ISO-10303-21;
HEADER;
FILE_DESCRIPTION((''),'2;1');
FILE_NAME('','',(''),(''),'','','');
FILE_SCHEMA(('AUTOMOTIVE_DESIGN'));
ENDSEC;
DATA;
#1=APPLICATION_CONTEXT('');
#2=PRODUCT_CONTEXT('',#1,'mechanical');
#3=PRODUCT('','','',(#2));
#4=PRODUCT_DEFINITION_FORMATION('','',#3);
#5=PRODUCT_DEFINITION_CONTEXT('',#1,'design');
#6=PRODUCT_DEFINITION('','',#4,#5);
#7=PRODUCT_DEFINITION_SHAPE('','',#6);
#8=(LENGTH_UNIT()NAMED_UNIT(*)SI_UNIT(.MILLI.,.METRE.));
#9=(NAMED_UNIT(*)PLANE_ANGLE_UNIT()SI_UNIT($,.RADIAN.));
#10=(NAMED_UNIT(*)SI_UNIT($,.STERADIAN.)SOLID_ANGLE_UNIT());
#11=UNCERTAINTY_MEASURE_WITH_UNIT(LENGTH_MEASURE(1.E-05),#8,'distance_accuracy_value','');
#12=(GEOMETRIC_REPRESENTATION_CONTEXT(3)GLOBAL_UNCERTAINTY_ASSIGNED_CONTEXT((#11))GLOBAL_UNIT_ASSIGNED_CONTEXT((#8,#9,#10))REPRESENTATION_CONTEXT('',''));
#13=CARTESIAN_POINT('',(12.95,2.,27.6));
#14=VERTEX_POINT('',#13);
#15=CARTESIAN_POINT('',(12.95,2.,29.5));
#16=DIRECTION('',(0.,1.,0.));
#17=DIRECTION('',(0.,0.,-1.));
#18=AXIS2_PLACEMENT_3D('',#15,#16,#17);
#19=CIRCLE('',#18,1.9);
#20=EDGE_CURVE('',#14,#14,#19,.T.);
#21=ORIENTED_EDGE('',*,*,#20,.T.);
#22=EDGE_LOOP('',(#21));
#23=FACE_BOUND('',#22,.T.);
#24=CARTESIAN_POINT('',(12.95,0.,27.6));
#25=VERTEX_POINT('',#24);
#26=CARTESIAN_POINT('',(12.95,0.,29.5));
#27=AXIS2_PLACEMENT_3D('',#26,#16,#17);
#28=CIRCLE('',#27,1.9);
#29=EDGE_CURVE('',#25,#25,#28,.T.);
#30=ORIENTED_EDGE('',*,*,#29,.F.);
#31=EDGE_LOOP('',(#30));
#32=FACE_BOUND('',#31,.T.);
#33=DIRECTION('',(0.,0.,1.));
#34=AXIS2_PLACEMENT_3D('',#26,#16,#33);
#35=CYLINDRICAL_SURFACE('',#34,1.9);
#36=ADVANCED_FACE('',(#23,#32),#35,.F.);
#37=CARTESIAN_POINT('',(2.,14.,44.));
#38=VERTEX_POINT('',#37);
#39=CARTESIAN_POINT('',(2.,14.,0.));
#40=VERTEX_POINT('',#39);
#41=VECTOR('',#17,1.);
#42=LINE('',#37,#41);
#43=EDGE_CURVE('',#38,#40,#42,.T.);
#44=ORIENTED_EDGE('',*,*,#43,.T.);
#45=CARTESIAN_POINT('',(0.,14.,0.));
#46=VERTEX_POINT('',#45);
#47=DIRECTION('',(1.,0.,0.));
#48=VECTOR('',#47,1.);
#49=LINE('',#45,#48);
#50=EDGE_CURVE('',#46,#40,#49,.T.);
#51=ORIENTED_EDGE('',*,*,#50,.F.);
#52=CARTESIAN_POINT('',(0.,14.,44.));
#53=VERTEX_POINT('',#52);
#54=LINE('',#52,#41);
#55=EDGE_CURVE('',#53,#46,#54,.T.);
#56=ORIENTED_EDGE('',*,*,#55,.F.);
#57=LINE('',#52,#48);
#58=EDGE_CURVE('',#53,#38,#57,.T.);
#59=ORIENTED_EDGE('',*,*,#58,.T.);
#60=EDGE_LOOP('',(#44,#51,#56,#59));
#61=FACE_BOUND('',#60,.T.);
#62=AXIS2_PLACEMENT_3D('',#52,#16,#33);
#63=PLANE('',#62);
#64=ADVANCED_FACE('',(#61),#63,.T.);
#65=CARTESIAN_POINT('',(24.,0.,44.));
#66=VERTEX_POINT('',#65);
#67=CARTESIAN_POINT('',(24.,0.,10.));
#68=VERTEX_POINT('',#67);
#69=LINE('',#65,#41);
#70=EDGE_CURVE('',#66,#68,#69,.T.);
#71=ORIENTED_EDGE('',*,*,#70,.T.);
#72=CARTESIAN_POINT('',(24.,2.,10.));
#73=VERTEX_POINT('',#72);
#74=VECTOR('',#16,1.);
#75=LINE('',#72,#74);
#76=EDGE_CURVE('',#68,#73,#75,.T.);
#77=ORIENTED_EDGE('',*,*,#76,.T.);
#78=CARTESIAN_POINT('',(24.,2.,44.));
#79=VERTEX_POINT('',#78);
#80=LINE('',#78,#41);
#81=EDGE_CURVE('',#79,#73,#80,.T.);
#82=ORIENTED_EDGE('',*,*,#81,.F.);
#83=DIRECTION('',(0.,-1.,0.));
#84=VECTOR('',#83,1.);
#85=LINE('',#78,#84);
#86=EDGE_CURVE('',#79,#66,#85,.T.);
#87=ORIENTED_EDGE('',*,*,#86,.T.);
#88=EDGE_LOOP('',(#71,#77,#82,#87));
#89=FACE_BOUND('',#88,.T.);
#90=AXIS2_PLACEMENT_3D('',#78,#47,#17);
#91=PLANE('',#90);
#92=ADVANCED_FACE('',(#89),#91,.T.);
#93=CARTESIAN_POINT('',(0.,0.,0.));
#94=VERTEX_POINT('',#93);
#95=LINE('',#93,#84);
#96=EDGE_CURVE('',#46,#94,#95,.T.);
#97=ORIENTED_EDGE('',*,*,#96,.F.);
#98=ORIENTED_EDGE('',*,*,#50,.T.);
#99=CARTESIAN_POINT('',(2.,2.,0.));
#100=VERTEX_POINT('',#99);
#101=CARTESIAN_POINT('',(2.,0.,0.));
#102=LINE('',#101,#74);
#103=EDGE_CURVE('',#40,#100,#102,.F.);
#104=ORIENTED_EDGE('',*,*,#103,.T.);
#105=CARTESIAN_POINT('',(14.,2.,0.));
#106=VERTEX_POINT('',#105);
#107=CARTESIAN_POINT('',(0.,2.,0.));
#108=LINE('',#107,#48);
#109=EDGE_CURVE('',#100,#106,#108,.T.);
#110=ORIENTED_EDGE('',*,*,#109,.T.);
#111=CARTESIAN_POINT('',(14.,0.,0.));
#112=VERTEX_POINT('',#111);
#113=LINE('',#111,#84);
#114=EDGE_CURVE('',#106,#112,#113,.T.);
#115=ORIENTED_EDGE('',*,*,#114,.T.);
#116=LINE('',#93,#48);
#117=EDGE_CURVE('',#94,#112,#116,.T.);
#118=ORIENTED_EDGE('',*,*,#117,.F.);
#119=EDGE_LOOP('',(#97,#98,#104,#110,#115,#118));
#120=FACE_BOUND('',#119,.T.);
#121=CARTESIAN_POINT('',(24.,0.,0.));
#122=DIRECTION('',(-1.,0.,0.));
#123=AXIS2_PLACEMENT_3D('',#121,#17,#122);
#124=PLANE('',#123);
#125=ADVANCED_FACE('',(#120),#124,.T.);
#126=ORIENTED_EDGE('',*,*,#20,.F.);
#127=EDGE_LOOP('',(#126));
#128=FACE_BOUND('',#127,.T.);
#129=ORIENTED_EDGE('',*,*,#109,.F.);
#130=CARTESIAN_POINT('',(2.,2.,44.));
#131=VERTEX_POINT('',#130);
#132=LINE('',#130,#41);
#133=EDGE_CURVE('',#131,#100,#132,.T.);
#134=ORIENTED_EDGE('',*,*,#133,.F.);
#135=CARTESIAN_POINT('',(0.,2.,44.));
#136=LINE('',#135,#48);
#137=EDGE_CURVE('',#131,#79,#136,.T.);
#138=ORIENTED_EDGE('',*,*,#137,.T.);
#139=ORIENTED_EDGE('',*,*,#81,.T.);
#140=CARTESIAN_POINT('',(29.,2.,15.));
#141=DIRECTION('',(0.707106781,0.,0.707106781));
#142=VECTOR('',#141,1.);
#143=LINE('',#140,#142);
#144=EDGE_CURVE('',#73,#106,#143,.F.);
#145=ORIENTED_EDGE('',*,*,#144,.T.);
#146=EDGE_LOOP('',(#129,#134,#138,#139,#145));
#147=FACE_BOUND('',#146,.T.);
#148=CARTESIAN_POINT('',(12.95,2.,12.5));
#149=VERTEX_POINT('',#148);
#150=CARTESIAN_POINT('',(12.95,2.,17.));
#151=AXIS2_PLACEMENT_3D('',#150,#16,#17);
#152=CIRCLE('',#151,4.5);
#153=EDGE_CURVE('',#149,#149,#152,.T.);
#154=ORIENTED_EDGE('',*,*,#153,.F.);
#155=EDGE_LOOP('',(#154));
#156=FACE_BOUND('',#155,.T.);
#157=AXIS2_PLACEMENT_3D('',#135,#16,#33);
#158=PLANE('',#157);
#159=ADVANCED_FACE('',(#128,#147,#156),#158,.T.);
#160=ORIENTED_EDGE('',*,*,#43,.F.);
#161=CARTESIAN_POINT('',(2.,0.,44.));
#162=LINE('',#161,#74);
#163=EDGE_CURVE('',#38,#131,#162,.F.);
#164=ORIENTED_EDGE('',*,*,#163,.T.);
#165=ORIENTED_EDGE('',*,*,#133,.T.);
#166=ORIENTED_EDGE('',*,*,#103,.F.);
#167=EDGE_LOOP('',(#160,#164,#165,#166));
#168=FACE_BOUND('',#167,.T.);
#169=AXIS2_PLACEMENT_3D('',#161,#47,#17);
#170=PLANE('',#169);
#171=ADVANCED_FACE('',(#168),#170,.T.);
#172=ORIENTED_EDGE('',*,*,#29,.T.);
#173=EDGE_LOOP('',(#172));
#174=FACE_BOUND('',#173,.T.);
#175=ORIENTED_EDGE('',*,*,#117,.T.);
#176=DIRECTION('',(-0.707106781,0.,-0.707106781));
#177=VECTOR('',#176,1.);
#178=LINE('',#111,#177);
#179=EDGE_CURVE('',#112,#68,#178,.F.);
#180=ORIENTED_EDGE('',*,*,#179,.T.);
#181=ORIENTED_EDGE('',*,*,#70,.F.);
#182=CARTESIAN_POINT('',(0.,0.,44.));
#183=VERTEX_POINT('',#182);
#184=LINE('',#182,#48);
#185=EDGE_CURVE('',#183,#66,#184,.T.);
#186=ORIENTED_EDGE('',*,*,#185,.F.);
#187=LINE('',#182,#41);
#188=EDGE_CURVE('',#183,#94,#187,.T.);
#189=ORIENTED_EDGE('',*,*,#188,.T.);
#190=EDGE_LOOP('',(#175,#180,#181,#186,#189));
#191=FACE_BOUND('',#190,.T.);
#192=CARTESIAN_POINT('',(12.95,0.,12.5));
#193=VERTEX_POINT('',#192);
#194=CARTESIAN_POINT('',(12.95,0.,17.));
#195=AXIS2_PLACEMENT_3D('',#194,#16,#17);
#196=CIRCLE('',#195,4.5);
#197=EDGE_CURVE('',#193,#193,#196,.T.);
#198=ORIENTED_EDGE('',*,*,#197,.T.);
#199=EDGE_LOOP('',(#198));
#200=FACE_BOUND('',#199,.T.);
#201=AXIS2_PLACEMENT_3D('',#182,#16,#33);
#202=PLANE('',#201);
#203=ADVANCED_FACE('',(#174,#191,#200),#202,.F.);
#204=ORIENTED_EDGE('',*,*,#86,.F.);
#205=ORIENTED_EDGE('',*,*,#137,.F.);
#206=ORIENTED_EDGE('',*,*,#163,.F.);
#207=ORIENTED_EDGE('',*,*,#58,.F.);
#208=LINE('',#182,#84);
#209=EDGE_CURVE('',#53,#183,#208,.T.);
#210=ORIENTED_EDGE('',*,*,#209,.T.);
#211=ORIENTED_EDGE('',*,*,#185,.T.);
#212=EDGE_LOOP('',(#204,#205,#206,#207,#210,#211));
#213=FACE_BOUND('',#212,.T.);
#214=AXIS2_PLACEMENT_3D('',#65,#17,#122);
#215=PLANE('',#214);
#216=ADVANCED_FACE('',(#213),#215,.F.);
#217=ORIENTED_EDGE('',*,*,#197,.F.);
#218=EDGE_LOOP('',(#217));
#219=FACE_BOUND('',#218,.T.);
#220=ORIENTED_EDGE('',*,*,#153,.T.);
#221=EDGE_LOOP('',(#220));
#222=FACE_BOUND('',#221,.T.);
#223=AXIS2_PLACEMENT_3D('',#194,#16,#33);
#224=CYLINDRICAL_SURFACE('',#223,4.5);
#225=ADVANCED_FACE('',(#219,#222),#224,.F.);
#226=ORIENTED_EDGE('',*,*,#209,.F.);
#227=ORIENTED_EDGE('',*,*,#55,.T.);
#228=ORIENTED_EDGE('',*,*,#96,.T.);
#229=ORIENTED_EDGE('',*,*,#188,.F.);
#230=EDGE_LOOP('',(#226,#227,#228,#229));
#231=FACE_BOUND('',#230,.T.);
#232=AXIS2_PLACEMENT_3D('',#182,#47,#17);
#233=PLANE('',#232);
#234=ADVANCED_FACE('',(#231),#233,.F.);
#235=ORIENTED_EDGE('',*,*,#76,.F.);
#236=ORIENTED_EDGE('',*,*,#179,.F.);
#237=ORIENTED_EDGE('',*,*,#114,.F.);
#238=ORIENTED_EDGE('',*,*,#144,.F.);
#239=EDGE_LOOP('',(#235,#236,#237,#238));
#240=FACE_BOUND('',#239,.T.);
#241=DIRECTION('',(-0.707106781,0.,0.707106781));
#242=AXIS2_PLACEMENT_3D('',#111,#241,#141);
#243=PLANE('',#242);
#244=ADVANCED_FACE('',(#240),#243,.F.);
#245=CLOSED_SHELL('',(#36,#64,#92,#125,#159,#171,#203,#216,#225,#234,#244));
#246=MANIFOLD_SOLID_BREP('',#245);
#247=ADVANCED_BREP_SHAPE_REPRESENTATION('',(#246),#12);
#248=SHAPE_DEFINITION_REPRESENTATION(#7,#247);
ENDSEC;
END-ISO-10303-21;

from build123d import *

# Parameters (mm, degrees)
EXTRUDE_1_DEPTH     = 44
CHAMFER_1_SIZE      = 10
SKETCH_4_R          = 4.5
SKETCH_4_R_2        = 1.9
CUT_EXTRUDE_1_DEPTH = 52.536394907


with BuildPart() as part:
    # Эскиз2 → Вытянуть-Тонкостенный1 (new body)
    with BuildSketch(Plane.XY):
        Polygon((24, 0), (0, 0), (0, 14), (2, 14), (2, 2), (24, 2), align=None)
    extrude(amount=EXTRUDE_1_DEPTH)

    # Фаска1
    chamfer_1_edges = [part.edges().sort_by_distance(p)[0] for p in [
        (24, 1, 0),
    ]]
    chamfer(chamfer_1_edges, length=CHAMFER_1_SIZE)

    # Эскиз4 → Вырез-Вытянуть1 (cut, through all)
    with BuildSketch(Plane(origin=(0, 2, 0), x_dir=(-1, 0, 0), z_dir=(0, 1, 0))):
        with Locations(Location((-12.95, 17, 0), (0, 0, 270))):
            Circle(SKETCH_4_R)
        with Locations(Location((-12.95, 29.5, 0), (0, 0, 270))):
            Circle(SKETCH_4_R_2)
    extrude(amount=-CUT_EXTRUDE_1_DEPTH, mode=Mode.SUBTRACT)


solid = part.part
